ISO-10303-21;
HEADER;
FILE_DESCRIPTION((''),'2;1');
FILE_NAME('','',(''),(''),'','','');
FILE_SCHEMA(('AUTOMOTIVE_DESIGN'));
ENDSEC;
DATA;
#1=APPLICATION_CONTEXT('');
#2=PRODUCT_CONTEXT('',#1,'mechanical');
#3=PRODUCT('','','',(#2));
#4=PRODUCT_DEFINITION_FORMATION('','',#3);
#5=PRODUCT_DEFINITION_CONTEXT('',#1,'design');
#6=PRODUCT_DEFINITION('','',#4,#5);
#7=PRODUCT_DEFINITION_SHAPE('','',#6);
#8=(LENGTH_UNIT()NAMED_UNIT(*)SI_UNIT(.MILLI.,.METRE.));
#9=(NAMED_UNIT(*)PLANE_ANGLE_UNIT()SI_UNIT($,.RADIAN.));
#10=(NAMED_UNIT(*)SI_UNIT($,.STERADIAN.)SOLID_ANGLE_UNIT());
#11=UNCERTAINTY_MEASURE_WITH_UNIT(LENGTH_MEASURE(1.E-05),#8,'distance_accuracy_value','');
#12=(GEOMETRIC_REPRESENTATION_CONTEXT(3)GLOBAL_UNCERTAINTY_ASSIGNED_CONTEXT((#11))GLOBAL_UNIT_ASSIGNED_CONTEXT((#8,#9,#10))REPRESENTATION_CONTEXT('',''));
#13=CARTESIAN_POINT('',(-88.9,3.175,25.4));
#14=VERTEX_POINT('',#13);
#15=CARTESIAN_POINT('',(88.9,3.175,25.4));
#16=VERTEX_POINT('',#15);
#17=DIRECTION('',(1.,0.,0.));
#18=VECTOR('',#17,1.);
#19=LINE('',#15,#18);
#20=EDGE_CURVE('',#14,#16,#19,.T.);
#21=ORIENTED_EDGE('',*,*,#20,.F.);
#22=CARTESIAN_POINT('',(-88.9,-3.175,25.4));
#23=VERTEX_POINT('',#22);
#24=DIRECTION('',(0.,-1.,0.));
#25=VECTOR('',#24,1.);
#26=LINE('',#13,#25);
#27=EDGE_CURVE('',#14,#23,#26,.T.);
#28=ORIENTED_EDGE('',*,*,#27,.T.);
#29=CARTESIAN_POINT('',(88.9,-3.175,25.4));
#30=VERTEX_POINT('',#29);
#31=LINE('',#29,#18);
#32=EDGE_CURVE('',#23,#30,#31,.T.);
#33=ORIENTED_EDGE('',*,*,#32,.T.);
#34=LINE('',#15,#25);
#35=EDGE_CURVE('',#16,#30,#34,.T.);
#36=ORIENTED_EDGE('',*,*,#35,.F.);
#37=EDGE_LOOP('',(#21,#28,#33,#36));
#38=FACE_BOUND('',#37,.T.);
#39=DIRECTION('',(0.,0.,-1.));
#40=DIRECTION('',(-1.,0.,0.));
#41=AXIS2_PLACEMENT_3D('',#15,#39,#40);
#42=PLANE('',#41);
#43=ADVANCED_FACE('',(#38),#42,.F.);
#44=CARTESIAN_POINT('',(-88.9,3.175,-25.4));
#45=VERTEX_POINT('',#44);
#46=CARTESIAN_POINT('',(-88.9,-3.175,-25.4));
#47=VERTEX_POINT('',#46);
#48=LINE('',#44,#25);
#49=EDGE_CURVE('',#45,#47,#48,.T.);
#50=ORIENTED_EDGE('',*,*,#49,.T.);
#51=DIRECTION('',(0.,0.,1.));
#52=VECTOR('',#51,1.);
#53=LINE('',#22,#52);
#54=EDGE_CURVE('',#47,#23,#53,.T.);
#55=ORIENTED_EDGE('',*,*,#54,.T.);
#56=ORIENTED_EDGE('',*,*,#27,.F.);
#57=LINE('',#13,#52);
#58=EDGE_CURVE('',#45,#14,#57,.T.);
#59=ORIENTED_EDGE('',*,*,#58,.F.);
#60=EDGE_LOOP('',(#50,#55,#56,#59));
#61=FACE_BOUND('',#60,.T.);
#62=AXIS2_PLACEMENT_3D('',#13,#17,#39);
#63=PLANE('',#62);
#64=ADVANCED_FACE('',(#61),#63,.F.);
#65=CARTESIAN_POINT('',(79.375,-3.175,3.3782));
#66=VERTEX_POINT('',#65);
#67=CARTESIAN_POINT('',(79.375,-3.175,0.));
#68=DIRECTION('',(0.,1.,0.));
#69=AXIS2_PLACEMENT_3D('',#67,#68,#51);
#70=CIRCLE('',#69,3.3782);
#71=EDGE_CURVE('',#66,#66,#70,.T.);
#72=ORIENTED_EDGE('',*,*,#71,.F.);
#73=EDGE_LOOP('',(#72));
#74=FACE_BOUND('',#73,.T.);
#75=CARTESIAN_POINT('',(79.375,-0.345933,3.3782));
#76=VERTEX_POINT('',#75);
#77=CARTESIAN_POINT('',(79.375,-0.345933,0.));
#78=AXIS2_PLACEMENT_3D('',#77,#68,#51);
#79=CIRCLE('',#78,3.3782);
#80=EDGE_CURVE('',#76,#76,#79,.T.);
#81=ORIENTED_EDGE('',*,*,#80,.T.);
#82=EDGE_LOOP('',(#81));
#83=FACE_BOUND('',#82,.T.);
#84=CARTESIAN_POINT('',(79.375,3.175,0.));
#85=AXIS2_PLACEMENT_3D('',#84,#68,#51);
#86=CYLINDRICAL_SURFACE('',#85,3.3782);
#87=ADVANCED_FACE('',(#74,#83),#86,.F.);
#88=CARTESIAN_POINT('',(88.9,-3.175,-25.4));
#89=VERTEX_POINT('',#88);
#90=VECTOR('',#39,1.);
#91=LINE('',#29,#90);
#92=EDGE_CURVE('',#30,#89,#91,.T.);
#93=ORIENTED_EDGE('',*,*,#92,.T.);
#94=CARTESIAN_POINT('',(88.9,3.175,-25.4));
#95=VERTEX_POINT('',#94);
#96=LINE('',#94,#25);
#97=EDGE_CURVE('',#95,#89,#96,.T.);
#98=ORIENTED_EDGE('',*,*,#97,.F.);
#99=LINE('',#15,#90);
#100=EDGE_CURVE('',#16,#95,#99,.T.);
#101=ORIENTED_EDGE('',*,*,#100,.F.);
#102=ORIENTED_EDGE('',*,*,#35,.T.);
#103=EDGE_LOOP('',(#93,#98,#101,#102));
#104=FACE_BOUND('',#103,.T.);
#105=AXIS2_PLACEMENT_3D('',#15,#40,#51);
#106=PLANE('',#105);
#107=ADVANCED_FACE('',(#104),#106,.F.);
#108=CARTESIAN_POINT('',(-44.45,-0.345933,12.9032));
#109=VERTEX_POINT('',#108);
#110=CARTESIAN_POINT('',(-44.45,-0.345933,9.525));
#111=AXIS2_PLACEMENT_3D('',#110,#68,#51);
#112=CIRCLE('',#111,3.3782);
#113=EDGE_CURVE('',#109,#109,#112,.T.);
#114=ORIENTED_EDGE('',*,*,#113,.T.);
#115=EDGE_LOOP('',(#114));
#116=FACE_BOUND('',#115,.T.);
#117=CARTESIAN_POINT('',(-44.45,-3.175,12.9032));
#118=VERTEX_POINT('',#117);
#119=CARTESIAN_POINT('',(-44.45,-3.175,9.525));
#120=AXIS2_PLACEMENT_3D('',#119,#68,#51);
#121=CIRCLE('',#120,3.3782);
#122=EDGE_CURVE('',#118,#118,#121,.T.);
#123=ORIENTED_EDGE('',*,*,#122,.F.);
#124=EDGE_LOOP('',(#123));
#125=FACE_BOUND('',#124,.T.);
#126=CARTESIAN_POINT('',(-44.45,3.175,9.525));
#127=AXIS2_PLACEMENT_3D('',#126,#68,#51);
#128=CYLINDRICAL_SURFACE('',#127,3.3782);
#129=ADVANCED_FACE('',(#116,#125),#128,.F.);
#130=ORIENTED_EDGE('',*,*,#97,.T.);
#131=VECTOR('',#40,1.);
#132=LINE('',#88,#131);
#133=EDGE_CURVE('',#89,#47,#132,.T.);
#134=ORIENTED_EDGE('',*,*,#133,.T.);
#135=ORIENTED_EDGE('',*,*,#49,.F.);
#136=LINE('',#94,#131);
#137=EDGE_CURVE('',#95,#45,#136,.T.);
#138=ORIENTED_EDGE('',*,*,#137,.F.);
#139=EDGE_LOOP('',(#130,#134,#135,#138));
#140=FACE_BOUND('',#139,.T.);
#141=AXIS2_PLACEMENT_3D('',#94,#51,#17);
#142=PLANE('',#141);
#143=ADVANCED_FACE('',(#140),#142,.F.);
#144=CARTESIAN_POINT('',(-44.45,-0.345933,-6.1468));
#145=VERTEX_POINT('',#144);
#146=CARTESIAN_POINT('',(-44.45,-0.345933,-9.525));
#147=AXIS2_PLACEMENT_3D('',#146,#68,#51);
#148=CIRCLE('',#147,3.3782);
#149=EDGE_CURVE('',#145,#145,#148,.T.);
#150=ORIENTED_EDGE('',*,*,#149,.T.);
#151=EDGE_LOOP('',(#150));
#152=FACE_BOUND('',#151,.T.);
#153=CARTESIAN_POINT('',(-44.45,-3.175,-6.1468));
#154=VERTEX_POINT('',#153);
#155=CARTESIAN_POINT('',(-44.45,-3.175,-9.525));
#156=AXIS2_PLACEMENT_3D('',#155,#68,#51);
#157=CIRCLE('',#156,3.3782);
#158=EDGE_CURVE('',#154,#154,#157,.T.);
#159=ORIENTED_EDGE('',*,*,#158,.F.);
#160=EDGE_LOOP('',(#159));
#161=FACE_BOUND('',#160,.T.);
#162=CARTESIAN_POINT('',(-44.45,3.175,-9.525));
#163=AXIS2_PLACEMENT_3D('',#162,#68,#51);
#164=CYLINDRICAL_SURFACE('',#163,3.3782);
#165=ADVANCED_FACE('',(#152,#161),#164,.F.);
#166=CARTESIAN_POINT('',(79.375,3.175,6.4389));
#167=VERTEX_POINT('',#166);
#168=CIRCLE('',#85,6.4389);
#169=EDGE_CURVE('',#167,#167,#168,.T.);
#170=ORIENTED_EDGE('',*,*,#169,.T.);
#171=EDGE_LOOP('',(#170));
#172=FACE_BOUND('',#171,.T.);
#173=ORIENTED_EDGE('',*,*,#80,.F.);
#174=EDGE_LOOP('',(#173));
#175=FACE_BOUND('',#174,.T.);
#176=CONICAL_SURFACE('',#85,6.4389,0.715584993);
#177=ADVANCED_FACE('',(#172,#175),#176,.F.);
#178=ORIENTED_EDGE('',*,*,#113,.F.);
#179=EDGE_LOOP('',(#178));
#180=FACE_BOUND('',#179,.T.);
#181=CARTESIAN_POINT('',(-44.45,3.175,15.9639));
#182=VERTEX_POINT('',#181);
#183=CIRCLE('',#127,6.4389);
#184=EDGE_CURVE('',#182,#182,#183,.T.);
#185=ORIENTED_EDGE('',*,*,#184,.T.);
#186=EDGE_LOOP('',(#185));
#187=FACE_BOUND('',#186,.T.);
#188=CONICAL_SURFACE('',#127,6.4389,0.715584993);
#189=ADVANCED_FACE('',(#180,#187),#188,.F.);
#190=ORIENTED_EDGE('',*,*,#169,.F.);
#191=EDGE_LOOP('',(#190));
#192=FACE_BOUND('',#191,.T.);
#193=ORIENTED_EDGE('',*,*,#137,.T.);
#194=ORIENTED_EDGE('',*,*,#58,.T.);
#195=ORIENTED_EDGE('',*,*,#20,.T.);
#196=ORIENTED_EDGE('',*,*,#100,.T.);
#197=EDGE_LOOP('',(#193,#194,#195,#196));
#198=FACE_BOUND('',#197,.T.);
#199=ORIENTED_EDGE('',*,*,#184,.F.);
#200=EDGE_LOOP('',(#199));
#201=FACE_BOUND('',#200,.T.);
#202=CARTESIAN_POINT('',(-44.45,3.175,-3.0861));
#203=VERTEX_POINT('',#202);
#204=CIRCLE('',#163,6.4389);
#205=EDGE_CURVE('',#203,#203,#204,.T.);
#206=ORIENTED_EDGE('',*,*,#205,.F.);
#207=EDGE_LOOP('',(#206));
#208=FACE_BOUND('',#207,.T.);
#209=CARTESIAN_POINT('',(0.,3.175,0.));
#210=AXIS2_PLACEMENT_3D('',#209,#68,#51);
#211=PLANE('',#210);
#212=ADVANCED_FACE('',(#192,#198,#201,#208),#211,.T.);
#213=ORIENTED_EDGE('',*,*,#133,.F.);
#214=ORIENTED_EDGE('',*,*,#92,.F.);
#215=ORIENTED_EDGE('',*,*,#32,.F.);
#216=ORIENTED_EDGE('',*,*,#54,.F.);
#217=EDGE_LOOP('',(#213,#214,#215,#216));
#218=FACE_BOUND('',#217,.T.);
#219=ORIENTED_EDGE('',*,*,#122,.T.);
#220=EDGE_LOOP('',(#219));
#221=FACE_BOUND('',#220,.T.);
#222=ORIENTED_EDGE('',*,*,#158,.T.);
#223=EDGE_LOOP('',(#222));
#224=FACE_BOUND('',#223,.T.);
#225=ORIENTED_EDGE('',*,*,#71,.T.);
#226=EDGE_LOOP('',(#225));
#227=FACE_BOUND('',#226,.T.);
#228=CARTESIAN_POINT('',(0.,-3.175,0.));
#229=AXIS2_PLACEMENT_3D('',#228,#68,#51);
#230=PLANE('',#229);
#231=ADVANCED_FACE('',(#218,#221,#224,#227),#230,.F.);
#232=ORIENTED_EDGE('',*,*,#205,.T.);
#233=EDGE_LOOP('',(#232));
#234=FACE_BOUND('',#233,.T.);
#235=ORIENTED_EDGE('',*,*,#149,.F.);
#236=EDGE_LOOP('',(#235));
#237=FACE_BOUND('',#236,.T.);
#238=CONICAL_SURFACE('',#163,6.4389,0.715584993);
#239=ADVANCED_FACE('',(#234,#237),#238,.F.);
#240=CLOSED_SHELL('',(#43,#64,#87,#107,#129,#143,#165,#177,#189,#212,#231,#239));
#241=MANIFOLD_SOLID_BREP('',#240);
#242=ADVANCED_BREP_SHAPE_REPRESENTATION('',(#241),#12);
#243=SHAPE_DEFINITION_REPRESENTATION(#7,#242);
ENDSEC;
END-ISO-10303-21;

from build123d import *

# Parameters (mm, degrees)
SKETCH1_W                                        = 177.8
SKETCH1_H                                        = 50.8
BOSS_EXTRUDE1_DEPTH                              = 3.175
CSK_FOR_1_4_FLAT_HEAD_MACHINE_SCREW1_D           = 6.7564
CSK_FOR_1_4_FLAT_HEAD_MACHINE_SCREW1_DEPTH       = 19.05
CSK_FOR_1_4_FLAT_HEAD_MACHINE_SCREW1_CSINK_D     = 12.8778
CSK_FOR_1_4_FLAT_HEAD_MACHINE_SCREW1_CSINK_ANGLE = 82
CSK_FOR_1_4_FLAT_HEAD_MACHINE_SCREW1_TIP         = 2.029827343


with BuildPart() as part:
    # Sketch1 → Boss-Extrude1 (new, symmetric)
    with BuildSketch(Plane(origin=(0, 0, 0), x_dir=(1, 0, 0), z_dir=(0, 1, 0))):
        Rectangle(SKETCH1_W, SKETCH1_H)
    extrude(amount=BOSS_EXTRUDE1_DEPTH, both=True)

    # CSK for 1/4 Flat Head Machine Screw1
    with Locations(Plane(origin=(0, 3.175, 0), x_dir=(1, 0, 0), z_dir=(0, 1, 0))):
        with Locations((79.375, 0), (-44.45, 9.525), (-44.45, -9.525)):
            CounterSinkHole(CSK_FOR_1_4_FLAT_HEAD_MACHINE_SCREW1_D / 2, CSK_FOR_1_4_FLAT_HEAD_MACHINE_SCREW1_CSINK_D / 2, depth=CSK_FOR_1_4_FLAT_HEAD_MACHINE_SCREW1_DEPTH, counter_sink_angle=CSK_FOR_1_4_FLAT_HEAD_MACHINE_SCREW1_CSINK_ANGLE)
            with Locations((0, 0, -(CSK_FOR_1_4_FLAT_HEAD_MACHINE_SCREW1_DEPTH + CSK_FOR_1_4_FLAT_HEAD_MACHINE_SCREW1_TIP / 2))):  # 118° drill point
                Cone(0, CSK_FOR_1_4_FLAT_HEAD_MACHINE_SCREW1_D / 2, CSK_FOR_1_4_FLAT_HEAD_MACHINE_SCREW1_TIP, mode=Mode.SUBTRACT)


solid = part.part
